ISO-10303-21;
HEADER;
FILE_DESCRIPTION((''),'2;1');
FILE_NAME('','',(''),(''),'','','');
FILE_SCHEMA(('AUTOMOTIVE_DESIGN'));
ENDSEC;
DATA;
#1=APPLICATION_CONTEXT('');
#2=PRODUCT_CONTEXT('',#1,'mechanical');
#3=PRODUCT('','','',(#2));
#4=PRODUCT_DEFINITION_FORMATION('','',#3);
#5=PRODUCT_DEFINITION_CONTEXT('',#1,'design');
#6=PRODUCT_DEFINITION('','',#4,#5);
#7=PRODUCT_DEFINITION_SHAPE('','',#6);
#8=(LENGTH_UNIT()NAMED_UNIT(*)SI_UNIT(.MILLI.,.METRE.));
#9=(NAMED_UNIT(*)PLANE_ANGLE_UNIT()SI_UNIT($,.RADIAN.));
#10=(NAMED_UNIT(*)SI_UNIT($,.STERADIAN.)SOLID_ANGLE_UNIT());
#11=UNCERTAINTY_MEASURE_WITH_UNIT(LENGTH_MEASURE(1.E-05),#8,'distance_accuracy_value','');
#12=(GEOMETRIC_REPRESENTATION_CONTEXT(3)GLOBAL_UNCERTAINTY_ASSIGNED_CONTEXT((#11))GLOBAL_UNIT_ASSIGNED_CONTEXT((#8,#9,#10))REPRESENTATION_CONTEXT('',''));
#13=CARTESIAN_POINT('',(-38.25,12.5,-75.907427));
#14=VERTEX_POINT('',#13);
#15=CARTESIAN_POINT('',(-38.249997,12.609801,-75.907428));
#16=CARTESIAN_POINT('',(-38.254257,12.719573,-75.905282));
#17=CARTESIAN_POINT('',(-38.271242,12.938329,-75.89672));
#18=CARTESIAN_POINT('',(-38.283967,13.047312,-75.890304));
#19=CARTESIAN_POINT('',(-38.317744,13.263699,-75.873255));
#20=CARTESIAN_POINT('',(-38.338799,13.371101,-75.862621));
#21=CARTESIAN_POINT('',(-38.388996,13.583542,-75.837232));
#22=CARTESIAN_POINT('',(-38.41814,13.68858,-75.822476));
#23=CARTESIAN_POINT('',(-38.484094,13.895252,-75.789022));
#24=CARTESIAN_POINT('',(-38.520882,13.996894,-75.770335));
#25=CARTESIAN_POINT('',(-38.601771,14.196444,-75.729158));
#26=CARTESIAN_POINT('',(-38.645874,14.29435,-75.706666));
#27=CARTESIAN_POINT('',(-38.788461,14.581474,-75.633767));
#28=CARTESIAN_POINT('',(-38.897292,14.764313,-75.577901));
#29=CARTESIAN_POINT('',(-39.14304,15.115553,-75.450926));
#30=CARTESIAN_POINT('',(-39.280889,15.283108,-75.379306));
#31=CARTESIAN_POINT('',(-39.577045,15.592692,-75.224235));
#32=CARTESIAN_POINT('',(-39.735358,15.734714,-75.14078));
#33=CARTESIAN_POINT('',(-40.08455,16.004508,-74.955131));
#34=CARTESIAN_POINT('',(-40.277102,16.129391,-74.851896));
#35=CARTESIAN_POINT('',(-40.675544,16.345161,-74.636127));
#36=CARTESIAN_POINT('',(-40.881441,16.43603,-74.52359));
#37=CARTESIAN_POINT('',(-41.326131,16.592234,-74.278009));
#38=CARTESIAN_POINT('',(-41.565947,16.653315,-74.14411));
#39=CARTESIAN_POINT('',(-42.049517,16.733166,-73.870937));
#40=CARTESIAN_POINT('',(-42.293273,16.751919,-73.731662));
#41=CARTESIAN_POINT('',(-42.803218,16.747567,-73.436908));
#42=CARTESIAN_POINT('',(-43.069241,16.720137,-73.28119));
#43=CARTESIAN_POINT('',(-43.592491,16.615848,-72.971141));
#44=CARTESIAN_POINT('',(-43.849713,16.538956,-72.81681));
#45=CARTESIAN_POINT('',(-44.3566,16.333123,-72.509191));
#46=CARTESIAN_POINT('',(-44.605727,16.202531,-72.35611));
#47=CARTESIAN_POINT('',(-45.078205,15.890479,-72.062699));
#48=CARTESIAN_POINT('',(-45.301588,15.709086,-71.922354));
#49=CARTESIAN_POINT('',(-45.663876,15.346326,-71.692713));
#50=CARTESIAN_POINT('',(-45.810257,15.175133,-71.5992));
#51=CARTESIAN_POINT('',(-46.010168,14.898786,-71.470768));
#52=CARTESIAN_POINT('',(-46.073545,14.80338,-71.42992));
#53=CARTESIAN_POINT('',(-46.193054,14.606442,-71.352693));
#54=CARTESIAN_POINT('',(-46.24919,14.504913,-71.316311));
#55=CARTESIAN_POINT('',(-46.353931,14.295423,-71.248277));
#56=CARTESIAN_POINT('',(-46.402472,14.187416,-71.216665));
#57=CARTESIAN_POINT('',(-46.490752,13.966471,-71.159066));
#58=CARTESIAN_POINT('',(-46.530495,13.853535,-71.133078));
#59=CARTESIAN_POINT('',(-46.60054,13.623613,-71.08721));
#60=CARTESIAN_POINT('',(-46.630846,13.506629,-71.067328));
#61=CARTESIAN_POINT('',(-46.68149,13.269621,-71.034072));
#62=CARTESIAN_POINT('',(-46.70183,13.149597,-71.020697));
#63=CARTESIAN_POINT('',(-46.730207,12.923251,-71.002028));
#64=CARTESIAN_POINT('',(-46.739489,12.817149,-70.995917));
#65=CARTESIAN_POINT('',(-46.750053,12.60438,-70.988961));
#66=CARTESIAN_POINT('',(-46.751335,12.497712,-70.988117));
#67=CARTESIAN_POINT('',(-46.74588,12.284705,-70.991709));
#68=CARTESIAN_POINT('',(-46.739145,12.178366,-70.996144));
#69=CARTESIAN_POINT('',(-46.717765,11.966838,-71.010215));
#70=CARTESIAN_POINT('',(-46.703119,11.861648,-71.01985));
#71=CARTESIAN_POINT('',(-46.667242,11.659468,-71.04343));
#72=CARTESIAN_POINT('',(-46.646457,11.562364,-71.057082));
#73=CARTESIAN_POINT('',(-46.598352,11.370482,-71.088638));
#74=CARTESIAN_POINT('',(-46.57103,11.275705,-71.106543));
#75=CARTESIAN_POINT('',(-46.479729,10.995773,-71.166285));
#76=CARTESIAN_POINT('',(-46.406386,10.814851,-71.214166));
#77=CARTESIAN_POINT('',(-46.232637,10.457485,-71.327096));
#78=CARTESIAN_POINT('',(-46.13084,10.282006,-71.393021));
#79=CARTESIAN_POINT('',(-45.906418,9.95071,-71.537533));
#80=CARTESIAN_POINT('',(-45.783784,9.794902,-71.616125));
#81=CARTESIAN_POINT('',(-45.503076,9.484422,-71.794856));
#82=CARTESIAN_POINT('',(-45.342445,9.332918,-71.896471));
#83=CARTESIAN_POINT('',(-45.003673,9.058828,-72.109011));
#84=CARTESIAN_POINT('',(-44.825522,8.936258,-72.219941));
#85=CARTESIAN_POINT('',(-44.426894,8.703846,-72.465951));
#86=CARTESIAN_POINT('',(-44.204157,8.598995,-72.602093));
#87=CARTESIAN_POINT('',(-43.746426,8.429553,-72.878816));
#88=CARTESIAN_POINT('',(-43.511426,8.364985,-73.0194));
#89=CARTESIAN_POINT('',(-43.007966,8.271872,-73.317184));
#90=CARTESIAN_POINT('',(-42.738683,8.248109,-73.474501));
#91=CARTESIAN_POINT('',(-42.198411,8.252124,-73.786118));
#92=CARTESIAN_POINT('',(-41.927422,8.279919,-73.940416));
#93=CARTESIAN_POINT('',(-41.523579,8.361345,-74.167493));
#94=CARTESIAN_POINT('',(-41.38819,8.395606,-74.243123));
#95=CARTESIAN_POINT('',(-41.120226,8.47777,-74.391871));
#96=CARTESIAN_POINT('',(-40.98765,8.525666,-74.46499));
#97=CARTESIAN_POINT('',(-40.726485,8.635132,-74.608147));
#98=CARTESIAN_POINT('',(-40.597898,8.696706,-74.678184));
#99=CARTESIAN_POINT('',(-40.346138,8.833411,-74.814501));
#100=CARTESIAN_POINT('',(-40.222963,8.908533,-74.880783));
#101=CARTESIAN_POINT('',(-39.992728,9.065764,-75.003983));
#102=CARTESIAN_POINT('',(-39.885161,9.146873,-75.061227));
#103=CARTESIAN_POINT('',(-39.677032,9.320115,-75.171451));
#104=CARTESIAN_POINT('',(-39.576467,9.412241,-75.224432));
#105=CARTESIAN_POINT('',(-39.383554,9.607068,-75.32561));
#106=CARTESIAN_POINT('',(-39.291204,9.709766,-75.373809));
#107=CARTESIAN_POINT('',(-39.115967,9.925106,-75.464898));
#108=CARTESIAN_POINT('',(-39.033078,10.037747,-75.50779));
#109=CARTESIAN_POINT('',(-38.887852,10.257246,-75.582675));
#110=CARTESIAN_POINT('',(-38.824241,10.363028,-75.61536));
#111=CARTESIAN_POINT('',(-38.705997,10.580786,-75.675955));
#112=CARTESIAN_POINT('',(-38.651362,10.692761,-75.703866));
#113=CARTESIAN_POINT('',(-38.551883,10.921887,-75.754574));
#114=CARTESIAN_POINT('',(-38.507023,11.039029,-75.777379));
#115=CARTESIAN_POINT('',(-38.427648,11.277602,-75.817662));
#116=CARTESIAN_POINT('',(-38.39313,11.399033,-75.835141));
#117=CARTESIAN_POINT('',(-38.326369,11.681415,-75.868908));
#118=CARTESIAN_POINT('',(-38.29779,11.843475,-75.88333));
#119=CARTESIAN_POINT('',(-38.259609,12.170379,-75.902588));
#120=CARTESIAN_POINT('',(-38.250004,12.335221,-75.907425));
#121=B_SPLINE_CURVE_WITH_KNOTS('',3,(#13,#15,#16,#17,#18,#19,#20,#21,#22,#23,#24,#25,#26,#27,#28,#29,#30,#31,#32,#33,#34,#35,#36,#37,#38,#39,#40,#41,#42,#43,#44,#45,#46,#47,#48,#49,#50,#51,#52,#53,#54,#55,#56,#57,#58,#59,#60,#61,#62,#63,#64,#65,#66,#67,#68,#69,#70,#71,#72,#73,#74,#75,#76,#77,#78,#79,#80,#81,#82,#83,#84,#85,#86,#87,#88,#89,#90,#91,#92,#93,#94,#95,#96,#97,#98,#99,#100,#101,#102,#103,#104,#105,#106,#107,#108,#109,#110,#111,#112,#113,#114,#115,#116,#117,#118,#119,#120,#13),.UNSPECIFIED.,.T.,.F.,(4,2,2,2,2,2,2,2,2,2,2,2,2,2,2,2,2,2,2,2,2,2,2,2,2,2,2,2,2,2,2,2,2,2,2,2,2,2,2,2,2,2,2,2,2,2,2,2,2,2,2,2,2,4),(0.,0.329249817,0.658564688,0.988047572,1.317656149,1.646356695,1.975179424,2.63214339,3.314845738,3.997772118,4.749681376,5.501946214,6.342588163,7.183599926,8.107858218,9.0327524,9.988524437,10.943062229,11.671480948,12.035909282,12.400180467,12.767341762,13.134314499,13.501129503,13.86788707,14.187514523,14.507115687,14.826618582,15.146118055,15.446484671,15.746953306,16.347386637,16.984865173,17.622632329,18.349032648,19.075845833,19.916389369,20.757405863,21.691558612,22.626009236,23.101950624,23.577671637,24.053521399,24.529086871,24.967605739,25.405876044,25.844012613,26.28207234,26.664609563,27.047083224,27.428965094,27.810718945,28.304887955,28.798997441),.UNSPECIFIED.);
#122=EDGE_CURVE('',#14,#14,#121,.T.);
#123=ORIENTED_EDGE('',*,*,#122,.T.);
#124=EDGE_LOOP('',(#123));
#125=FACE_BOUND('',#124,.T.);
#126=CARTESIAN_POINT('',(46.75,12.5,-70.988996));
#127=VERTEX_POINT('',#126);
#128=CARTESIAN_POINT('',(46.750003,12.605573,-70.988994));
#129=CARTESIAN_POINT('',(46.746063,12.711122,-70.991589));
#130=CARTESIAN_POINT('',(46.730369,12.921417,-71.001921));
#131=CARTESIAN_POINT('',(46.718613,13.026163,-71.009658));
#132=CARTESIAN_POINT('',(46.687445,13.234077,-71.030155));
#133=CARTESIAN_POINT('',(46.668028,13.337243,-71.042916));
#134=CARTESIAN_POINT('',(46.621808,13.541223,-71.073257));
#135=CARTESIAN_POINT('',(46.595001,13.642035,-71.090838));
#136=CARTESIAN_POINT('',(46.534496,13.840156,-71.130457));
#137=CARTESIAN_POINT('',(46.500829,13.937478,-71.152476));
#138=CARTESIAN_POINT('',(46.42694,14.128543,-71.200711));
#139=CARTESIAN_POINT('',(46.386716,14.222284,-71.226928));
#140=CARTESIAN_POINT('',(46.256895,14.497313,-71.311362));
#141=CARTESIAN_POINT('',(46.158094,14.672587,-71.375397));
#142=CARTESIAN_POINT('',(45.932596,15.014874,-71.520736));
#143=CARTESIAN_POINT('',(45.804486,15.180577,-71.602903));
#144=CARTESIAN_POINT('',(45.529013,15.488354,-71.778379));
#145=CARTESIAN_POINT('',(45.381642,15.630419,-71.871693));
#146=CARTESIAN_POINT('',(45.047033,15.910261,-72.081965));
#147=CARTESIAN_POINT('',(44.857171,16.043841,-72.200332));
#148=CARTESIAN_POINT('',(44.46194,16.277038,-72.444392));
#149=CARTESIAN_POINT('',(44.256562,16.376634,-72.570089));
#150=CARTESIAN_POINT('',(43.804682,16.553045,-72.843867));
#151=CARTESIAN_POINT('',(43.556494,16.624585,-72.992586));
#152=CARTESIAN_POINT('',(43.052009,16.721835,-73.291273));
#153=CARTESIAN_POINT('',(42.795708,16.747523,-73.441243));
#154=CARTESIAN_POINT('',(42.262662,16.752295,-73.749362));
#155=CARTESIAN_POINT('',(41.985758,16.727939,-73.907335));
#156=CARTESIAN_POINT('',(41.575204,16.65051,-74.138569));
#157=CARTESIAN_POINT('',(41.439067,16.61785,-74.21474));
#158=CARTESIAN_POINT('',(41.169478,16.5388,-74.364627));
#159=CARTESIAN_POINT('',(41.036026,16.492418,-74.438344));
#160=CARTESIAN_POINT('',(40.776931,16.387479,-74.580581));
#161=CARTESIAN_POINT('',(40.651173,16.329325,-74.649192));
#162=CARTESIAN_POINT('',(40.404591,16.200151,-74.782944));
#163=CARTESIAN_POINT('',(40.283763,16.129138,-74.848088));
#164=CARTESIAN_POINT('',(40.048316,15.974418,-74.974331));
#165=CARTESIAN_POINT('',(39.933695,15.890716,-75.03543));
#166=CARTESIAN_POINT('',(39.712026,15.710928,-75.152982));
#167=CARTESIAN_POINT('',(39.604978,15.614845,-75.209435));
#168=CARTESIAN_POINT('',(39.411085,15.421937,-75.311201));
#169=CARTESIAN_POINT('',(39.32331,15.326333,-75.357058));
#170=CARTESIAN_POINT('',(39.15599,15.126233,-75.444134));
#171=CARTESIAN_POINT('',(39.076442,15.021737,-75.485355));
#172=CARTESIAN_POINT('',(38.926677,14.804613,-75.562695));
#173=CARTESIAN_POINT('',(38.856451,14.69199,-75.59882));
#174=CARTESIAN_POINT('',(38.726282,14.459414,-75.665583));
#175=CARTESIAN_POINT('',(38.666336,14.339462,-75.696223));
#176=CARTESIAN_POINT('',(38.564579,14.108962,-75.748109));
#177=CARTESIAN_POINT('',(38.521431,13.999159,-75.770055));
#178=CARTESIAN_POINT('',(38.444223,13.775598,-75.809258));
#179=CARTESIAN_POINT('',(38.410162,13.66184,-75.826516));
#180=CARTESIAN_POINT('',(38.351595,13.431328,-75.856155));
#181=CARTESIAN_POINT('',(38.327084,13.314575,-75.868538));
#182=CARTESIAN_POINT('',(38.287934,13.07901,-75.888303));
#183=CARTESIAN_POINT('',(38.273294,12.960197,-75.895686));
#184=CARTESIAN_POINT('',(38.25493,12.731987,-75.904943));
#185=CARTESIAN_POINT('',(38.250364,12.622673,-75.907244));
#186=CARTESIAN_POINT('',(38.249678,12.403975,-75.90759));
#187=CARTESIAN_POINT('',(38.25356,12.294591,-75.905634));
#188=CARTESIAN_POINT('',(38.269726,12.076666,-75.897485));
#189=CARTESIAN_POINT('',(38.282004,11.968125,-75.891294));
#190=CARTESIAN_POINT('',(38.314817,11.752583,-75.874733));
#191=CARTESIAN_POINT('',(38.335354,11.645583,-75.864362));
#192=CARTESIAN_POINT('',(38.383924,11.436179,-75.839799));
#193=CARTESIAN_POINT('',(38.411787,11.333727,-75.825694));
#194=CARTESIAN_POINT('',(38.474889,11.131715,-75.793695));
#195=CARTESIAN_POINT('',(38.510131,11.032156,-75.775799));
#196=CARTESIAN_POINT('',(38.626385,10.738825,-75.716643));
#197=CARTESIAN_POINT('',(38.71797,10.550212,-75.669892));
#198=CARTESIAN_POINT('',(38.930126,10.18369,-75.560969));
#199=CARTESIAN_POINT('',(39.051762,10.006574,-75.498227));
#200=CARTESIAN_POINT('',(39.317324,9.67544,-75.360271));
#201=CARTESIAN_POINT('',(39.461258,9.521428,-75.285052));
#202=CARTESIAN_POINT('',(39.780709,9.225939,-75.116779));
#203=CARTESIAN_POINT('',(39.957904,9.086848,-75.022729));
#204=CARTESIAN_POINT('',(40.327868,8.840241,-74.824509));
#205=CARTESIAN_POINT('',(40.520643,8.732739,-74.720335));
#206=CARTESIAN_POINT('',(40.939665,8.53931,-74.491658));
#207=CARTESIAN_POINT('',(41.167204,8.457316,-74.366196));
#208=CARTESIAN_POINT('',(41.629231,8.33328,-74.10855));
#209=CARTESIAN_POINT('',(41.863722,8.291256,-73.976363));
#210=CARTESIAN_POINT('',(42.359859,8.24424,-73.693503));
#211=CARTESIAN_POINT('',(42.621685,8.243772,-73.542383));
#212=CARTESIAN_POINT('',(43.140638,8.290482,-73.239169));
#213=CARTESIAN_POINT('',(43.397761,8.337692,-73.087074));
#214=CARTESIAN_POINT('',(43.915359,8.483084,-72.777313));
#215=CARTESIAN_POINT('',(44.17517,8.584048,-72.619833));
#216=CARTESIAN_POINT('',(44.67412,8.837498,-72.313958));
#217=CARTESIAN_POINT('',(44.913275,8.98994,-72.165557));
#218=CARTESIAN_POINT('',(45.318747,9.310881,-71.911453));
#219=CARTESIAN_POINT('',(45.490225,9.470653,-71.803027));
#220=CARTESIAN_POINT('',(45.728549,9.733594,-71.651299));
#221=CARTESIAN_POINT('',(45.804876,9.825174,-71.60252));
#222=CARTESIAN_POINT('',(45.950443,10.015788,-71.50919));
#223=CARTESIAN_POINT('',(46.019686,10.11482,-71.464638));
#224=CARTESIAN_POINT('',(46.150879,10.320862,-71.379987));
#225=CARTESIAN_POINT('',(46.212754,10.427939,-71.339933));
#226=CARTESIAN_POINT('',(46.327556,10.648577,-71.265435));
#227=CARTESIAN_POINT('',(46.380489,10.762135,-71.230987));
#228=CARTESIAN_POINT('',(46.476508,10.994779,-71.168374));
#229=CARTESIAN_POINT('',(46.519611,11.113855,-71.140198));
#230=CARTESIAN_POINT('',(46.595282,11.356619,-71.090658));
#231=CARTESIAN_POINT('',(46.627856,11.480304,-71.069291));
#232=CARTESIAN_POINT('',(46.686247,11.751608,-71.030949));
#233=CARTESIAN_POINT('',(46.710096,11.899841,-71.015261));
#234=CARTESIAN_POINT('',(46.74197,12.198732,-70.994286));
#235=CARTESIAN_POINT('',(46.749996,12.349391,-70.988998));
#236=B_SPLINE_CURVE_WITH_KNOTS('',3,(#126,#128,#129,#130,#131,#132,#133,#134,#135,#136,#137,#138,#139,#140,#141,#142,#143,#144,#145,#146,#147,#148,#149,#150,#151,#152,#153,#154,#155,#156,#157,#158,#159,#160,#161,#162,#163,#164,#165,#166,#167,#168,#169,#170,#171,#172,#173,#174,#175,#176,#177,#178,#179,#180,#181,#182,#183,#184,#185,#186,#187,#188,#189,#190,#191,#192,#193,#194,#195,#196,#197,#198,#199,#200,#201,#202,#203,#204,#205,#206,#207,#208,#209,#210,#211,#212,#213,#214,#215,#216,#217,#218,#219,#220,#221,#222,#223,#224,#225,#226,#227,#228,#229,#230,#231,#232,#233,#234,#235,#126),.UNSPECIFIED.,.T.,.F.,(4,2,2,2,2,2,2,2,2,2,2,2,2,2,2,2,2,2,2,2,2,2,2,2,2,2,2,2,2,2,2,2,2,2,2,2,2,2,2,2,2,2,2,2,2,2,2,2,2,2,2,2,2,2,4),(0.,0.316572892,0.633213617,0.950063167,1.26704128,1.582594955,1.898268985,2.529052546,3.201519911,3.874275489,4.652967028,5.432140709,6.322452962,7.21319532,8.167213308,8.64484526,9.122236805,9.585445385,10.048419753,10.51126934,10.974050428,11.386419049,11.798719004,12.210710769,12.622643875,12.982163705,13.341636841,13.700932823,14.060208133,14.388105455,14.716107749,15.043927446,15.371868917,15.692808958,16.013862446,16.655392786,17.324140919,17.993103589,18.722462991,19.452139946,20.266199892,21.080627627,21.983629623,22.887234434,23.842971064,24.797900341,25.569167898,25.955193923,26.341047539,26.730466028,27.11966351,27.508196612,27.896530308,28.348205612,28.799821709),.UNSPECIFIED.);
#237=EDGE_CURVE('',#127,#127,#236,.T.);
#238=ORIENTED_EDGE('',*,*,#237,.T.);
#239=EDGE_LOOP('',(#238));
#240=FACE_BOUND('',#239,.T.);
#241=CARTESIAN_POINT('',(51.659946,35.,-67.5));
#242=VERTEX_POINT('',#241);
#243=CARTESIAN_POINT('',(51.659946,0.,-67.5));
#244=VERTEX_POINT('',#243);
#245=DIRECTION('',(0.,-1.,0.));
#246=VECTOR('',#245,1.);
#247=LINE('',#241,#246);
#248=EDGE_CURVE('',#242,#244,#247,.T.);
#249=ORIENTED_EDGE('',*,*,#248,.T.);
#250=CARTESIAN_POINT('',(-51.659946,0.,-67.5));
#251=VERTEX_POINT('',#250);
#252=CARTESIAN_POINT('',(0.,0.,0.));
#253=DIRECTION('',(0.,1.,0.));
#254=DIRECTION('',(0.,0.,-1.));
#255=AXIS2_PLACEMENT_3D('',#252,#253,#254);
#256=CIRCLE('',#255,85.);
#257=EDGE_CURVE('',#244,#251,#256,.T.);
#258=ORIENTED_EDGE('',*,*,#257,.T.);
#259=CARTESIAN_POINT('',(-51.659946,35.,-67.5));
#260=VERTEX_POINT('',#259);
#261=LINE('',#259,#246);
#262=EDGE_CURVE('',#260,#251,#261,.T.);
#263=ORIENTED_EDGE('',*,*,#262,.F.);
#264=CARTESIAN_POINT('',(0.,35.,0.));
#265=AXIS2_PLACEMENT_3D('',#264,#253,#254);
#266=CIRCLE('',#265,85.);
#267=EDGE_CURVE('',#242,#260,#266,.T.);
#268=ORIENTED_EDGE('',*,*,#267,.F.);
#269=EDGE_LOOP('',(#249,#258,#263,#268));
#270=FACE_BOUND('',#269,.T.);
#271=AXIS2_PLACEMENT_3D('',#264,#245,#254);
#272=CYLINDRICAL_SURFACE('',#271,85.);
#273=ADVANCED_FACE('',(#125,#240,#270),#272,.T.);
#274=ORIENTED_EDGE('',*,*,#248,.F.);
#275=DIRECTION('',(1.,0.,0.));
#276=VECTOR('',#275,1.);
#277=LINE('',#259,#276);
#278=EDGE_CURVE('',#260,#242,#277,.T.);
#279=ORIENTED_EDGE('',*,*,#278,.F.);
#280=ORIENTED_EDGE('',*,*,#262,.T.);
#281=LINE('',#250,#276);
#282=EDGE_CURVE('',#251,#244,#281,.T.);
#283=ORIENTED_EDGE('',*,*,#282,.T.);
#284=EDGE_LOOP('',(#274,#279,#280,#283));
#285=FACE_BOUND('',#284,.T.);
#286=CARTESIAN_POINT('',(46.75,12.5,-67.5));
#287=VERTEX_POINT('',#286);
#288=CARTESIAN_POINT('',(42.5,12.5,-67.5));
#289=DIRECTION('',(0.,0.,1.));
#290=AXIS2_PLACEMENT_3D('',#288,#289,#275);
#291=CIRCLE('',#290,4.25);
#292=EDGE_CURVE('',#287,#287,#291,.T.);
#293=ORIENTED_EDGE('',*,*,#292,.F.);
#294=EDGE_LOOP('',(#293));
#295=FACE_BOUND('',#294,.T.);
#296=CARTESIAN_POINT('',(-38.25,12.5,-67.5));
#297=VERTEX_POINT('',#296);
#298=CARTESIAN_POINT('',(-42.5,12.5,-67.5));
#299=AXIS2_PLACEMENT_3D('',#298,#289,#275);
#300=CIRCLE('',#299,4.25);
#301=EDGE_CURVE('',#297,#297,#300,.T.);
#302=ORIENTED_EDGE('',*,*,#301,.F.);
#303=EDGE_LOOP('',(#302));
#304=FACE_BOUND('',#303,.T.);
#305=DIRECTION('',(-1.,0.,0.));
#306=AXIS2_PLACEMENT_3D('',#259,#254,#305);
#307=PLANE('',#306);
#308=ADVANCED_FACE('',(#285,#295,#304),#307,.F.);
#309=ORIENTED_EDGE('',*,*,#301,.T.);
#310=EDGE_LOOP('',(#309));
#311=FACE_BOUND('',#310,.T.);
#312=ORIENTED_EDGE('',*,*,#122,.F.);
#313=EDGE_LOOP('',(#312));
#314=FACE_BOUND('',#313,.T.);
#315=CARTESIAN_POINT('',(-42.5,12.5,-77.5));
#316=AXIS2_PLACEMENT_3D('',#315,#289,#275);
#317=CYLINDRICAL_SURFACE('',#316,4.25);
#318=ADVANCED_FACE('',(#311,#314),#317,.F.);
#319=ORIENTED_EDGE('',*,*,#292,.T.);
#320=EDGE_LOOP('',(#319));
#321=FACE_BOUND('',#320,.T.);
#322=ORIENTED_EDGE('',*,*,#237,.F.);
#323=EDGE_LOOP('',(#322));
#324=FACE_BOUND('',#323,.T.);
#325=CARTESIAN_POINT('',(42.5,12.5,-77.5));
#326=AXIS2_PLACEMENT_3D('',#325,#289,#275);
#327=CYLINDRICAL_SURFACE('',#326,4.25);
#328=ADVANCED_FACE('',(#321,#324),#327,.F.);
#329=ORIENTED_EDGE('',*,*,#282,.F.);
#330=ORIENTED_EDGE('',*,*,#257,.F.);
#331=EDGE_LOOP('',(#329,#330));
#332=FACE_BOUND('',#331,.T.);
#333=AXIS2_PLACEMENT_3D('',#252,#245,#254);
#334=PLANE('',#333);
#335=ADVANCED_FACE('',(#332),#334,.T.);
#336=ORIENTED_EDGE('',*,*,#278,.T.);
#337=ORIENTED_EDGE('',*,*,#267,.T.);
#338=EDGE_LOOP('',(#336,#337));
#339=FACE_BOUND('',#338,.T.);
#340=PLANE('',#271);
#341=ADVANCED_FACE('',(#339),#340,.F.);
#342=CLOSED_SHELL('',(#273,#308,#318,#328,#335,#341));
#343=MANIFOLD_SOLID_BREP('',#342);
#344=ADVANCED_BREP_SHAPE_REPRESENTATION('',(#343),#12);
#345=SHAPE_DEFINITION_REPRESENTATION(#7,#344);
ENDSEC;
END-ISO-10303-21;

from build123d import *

# Parameters (mm, degrees)
BOSS_EXTRUDE1_DEPTH = 35
SKETCH2_R           = 4.25
CUT_EXTRUDE1_DEPTH  = 10


with BuildPart() as part:
    # Sketch1 → Boss-Extrude1 (new body)
    with BuildSketch(Plane(origin=(0, 0, 0), x_dir=(1, 0, 0), z_dir=(0, 1, 0))):
        with BuildLine():
            Line((-51.659945799, 67.5), (51.659945799, 67.5))
            ThreePointArc((51.659945799, 67.5), (0, 85), (-51.659945799, 67.5))
        make_face()
    extrude(amount=BOSS_EXTRUDE1_DEPTH)

    # Sketch2 → Cut-Extrude1 (cut)
    with BuildSketch(Plane.XY.offset(-67.5)):
        with Locations((-42.5, 12.5)):
            Circle(SKETCH2_R)
        with Locations((42.5, 12.5)):
            Circle(SKETCH2_R)
    extrude(amount=-CUT_EXTRUDE1_DEPTH, mode=Mode.SUBTRACT)


solid = part.part
